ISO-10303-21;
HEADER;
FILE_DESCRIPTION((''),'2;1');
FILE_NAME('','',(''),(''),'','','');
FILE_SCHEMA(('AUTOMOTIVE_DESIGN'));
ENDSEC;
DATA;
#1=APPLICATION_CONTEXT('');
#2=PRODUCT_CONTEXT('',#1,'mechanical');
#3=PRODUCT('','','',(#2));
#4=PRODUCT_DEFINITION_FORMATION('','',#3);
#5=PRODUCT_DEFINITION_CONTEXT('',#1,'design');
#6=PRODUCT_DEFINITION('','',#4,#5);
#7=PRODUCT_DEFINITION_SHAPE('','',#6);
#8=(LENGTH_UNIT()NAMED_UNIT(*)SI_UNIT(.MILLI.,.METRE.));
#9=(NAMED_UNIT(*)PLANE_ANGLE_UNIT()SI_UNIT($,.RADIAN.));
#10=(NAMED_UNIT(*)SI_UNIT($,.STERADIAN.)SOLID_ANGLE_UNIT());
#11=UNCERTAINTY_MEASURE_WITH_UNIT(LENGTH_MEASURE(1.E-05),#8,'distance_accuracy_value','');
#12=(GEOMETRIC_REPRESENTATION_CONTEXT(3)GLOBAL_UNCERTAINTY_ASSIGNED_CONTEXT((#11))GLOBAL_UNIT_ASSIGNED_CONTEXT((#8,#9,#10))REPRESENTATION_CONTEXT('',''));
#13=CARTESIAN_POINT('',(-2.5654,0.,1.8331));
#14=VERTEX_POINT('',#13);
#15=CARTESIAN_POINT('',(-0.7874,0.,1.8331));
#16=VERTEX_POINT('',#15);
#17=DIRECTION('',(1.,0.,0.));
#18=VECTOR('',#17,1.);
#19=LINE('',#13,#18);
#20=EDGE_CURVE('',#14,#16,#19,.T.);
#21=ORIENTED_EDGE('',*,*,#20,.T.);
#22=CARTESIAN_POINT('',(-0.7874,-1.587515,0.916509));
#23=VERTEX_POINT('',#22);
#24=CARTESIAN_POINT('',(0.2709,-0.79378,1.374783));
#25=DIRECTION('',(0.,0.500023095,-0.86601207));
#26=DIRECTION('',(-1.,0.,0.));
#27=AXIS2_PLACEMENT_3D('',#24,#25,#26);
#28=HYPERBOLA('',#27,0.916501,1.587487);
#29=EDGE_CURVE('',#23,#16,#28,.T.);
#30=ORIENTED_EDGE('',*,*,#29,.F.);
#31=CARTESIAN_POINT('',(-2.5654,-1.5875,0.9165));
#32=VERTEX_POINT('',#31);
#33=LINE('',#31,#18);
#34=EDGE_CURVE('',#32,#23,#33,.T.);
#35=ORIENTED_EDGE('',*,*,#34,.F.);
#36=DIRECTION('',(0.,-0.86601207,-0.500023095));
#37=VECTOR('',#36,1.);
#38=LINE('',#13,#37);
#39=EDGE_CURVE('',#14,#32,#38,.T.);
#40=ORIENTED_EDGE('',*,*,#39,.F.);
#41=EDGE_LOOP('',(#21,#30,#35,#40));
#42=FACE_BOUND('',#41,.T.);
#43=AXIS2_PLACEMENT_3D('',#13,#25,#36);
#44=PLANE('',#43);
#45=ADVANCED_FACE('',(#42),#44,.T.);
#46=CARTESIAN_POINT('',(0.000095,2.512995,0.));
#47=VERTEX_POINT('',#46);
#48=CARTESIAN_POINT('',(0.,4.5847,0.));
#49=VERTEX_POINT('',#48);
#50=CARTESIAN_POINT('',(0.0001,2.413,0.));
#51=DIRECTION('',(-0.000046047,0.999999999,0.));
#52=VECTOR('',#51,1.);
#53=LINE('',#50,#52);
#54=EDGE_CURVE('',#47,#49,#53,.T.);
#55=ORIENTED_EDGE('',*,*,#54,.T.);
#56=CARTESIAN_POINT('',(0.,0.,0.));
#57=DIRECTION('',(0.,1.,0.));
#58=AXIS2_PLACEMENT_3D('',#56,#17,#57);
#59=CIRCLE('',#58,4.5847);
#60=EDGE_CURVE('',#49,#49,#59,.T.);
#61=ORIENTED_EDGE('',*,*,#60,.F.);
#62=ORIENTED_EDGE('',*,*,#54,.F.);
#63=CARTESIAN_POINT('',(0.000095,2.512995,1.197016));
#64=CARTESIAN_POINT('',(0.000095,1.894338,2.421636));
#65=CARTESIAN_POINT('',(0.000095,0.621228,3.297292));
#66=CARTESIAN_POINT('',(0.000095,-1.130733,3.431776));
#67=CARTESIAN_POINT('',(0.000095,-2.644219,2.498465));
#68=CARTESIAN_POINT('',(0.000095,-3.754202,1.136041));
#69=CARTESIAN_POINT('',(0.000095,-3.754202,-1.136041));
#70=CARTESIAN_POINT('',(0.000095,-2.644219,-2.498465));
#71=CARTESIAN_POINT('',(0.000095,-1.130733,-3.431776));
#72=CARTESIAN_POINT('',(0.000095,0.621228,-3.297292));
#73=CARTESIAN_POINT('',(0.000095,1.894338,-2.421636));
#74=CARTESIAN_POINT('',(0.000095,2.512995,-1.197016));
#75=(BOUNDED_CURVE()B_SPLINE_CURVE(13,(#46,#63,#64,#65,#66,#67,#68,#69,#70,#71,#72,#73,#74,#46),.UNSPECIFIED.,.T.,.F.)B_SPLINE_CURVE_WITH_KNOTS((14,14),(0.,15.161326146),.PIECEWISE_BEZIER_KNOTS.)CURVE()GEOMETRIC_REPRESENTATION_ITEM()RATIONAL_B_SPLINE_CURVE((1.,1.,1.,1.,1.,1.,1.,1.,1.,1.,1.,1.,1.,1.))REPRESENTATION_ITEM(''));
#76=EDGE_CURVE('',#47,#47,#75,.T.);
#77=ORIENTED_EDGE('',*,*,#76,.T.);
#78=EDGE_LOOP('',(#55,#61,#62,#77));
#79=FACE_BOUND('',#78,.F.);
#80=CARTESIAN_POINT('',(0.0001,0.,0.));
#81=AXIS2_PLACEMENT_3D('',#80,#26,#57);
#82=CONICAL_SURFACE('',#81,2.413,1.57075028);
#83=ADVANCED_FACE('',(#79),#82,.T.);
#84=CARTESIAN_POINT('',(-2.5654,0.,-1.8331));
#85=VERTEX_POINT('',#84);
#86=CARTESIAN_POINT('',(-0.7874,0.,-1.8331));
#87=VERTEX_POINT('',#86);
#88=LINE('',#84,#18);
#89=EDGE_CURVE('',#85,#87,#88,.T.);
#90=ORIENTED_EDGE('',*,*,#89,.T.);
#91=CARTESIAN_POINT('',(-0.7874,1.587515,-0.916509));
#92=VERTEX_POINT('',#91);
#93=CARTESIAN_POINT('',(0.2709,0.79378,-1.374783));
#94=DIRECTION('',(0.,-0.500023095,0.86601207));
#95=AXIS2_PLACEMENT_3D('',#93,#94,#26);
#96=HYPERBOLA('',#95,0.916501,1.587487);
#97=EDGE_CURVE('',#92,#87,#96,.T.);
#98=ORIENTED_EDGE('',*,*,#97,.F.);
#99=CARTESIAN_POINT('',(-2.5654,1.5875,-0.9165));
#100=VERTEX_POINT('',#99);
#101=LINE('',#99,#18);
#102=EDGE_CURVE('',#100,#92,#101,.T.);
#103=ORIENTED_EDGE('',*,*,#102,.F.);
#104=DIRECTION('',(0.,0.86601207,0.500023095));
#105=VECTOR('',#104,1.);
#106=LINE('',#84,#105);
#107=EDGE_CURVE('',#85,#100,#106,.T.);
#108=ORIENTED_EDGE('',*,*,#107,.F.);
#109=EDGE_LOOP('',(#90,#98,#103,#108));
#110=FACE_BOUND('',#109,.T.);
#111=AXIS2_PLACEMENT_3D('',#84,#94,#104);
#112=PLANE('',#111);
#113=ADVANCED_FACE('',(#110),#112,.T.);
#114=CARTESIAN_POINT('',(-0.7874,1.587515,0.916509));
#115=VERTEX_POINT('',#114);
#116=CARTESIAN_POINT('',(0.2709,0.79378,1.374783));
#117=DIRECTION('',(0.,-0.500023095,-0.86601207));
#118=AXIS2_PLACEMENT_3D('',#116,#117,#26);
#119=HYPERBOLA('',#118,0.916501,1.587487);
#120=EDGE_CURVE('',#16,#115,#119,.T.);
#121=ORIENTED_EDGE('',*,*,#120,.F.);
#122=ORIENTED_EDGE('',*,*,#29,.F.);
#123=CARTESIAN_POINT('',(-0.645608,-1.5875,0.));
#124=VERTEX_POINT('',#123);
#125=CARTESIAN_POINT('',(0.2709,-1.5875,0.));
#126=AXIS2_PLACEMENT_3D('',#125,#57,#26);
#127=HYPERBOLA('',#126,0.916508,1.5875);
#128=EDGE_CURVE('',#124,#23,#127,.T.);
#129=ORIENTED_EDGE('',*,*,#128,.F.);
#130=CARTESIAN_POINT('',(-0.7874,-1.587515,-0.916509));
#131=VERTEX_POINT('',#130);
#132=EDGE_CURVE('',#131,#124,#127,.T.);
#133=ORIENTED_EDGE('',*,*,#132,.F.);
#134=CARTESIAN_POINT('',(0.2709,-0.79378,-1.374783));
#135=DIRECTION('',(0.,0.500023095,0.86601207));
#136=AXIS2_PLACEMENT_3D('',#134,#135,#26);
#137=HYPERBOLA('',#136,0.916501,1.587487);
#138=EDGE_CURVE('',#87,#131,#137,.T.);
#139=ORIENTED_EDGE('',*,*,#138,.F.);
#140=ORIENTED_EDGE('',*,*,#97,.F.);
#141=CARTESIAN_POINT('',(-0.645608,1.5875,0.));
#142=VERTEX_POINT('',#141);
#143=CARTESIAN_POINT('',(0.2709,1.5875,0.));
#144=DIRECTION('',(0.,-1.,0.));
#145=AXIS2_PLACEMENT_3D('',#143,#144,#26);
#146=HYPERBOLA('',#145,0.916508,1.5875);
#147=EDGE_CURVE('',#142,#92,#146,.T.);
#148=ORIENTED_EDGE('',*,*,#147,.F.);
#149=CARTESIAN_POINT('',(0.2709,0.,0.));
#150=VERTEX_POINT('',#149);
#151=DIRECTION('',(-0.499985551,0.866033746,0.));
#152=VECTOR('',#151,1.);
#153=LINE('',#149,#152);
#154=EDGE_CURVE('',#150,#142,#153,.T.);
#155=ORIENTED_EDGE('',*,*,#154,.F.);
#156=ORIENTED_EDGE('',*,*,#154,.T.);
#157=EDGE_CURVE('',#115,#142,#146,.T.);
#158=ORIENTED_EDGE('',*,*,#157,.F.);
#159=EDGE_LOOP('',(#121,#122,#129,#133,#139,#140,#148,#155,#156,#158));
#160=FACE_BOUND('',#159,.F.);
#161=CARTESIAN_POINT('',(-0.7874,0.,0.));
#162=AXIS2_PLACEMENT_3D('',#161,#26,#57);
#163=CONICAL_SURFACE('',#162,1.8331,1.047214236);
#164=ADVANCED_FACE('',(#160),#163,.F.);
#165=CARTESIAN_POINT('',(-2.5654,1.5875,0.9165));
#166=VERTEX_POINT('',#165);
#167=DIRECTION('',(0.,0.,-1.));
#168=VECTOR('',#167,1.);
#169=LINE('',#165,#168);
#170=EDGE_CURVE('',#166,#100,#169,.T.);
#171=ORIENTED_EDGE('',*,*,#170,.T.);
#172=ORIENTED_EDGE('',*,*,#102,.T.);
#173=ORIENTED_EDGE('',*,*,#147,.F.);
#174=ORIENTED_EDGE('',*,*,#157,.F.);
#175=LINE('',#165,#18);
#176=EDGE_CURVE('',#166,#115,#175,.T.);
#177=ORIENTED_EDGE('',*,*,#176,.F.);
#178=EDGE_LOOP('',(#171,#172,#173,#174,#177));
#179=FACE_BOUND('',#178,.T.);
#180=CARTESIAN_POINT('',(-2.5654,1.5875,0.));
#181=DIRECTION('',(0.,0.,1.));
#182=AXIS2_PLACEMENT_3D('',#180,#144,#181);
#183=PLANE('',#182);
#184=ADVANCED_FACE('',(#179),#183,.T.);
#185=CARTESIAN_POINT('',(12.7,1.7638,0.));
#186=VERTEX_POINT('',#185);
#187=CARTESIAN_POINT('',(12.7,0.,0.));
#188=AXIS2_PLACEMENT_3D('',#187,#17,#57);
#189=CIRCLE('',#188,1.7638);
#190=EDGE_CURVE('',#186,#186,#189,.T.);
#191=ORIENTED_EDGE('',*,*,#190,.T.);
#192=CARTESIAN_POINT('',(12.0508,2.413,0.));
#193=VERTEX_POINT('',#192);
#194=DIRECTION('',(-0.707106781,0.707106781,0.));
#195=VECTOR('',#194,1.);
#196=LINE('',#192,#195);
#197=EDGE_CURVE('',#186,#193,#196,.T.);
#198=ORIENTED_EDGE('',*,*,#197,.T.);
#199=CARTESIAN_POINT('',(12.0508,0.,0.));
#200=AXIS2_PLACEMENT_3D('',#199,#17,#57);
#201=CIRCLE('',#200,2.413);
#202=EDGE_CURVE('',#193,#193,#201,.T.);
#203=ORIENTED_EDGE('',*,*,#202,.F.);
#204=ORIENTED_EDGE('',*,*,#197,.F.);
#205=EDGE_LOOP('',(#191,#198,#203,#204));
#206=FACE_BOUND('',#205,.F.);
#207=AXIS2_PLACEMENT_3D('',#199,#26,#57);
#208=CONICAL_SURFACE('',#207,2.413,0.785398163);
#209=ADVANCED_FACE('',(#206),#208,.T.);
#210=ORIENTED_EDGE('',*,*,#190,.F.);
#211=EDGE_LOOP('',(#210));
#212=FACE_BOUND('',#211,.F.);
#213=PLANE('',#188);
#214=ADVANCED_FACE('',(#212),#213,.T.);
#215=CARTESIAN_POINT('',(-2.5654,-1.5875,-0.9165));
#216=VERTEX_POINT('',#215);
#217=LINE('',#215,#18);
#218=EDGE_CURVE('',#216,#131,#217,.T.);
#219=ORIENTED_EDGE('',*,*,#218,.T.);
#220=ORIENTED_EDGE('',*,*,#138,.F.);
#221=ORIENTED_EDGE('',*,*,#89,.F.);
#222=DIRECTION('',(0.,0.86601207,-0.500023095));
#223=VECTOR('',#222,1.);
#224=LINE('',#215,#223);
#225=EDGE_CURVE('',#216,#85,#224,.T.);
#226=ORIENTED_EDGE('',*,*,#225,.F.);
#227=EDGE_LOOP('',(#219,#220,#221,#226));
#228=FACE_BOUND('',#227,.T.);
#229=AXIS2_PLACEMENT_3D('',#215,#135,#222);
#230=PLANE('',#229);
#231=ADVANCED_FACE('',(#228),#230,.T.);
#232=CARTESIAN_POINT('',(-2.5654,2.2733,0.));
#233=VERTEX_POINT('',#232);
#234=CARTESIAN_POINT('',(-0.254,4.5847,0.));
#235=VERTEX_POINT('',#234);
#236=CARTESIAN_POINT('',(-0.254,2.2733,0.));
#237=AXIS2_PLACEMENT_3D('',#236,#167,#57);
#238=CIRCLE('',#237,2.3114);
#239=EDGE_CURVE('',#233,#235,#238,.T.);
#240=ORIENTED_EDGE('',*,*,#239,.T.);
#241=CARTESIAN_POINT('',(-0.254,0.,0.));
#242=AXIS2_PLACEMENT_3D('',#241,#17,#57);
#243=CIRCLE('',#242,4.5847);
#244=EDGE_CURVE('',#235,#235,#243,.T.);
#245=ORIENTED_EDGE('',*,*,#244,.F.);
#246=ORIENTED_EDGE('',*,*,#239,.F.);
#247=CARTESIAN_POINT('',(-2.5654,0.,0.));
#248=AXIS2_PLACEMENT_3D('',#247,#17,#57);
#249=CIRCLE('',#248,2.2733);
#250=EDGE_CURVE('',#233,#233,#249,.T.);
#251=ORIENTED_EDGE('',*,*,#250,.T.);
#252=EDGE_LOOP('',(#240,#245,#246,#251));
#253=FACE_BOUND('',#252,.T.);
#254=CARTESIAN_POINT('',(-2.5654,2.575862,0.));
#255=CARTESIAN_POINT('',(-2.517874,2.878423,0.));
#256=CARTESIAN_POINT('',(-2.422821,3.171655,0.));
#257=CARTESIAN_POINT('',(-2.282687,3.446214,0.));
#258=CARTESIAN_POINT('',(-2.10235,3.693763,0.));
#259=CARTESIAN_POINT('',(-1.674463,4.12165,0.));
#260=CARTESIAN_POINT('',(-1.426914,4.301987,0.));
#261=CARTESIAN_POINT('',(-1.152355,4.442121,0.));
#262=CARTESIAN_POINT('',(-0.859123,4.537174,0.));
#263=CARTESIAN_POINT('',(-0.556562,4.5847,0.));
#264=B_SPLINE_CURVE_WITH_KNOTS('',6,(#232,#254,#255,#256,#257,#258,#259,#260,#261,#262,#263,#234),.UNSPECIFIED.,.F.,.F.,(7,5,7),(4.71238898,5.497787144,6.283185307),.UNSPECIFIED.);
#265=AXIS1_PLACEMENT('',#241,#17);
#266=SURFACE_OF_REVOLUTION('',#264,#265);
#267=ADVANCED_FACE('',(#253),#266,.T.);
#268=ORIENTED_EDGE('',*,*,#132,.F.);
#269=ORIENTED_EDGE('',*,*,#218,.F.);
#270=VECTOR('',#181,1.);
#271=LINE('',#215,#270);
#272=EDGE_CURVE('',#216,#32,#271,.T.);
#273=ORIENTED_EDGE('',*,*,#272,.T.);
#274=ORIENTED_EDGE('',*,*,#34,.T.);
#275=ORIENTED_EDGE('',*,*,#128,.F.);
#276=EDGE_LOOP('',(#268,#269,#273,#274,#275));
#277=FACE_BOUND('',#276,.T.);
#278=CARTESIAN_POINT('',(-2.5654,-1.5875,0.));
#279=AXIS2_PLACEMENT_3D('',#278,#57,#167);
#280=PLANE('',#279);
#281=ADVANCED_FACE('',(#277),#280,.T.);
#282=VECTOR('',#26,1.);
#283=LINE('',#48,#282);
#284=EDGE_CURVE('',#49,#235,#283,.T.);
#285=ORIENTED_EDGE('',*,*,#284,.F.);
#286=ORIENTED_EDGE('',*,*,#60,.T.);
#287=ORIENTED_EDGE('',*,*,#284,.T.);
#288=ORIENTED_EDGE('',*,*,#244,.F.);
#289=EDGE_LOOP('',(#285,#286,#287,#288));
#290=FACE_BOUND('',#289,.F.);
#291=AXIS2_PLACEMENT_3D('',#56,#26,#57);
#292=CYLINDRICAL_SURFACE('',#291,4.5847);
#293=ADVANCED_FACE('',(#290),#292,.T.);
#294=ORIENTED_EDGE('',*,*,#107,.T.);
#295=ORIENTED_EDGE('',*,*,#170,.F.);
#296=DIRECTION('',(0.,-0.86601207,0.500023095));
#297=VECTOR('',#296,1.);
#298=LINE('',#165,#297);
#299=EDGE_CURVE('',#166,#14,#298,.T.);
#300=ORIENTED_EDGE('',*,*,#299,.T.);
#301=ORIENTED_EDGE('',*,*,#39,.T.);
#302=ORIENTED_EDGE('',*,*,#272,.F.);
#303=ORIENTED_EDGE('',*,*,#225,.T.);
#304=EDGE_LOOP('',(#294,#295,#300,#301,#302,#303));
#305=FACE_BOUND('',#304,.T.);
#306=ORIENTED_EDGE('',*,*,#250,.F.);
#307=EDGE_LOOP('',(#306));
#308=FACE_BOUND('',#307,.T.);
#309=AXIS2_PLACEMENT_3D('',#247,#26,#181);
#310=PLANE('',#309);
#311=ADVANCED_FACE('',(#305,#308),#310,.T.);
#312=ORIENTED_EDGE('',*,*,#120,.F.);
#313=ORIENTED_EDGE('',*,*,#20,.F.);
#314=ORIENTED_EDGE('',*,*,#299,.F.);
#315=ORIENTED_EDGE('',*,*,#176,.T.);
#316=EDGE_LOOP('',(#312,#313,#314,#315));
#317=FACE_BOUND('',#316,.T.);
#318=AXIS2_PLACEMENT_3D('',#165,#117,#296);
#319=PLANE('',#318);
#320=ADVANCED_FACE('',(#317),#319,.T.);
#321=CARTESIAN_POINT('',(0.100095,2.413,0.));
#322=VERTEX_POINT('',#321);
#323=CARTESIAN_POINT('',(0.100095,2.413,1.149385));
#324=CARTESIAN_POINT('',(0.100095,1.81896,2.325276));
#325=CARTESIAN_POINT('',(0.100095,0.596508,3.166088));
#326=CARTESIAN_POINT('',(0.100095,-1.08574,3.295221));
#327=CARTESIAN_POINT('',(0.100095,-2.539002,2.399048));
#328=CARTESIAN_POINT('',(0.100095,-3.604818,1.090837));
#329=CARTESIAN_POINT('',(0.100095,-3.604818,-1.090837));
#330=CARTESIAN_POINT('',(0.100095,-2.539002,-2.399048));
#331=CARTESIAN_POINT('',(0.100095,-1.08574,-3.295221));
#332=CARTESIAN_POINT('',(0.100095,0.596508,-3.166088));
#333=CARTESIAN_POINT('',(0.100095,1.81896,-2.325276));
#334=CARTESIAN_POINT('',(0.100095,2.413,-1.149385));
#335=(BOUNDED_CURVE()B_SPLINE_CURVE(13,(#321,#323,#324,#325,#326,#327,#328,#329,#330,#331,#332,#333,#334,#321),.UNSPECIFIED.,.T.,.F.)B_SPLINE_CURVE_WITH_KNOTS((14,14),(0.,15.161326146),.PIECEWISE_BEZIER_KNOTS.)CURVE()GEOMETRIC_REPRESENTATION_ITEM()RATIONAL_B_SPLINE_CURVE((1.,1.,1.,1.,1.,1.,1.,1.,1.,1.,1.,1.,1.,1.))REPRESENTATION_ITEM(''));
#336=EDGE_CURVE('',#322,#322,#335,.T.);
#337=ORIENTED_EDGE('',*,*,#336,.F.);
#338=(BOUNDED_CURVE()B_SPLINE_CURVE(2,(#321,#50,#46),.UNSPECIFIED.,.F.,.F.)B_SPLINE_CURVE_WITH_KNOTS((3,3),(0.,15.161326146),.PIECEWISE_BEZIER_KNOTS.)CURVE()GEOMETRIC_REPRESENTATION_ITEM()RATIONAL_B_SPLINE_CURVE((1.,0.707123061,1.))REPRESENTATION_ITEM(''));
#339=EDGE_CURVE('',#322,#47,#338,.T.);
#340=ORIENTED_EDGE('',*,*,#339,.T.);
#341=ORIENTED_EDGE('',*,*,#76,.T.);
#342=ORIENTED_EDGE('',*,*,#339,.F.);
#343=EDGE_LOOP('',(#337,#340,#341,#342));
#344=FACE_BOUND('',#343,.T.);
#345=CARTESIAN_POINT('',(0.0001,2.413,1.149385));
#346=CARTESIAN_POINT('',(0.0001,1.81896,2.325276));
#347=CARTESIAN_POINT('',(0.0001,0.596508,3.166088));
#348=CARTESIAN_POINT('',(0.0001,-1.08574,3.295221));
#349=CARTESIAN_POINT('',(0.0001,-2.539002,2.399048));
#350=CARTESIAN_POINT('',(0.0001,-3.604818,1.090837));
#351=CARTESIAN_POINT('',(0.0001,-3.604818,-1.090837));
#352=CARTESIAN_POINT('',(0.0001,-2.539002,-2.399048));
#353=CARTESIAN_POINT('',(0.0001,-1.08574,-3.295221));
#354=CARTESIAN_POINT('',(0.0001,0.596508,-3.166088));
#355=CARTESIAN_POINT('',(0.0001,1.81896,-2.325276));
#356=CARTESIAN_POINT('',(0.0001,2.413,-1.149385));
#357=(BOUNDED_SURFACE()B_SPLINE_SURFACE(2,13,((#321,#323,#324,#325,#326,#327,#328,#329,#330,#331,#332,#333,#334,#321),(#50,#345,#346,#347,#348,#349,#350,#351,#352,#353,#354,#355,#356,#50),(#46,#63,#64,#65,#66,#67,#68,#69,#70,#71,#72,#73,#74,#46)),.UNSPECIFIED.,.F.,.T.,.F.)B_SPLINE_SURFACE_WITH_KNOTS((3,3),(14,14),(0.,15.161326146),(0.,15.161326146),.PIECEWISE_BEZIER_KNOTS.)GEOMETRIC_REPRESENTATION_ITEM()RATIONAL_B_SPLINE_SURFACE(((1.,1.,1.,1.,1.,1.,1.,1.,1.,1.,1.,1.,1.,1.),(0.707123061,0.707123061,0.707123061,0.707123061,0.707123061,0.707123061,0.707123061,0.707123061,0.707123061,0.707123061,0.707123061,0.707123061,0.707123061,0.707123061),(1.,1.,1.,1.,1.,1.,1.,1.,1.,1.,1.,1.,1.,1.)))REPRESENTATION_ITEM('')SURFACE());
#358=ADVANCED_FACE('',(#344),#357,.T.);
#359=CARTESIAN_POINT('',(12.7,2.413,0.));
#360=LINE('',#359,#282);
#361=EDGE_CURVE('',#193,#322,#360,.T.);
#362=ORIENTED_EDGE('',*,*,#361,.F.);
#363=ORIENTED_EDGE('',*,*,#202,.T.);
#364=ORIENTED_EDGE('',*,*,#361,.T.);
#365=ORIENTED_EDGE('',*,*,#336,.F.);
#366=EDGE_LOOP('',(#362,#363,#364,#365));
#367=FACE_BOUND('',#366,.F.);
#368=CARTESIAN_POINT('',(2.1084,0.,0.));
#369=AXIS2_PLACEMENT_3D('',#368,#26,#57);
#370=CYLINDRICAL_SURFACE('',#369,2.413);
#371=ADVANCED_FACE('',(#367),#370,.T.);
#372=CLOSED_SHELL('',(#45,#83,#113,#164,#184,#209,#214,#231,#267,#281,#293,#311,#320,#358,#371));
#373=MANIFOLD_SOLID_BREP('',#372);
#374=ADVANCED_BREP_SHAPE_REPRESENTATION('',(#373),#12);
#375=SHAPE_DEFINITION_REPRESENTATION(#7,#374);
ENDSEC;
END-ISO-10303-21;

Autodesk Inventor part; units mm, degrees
ref_plane "YZ Plane" through (0, 0, 0) normal (1, 0, 0) x (0, 1, 0)
ref_plane "XZ Plane" through (0, 0, 0) normal (0, 1, 0) x (-1, 0, 0)
sketch "Sketch1" plane through (0, 0, 0) normal (0, 0, 1) x (1, 0, 0)
  line L0 (0.2709, 0) -> (12.7, 0)
  line L1 (12.7, 0) -> (12.7, 2.413)
  line L2 (12.7, 2.413) -> (2.1084, 2.413)
  line L3 (2.1084, 2.413) -> (0.0001, 2.413)
  line L4 (0.0001, 2.413) -> (0, 2.413)
  line L5 (0, 2.413) -> (0, 4.5847)
  line L6 (0, 4.5847) -> (-2.5654, 4.5847)
  line L7 (-2.5654, 4.5847) -> (-2.5654, 1.8331)
  line L8 (-2.5654, 1.8331) -> (-0.7874, 1.8331)
  line L9 (-0.7874, 1.8331) -> (0.2709, 0)
  line L10 (-5.6185, 0) -> (15.7531, 0) projected
  line L11 (0, -0.9169) -> (0, 5.5016) projected
  line L12 (2.1084, 2.413) -> (0, 2.413) construction
  dimension "d1" = 10.5916
  dimension "d2" = 2.1083
  dimension "d3" = 2.5654
  dimension "d4" = 1.778
  dimension "d5" = 60
  dimension "d6" = 4.826
  dimension "d7" = 4.826
  dimension "d8" = 3.6662
  dimension "d9" = 9.1694
  dimension "d26" = 12.7
revolve "Body" add sketch "Sketch1" angle 360 about axis through (0.2709, 0, 0) along (1, 0, 0) contours L9 L11 L3 L2 L1 L0 | L9 L8 L7 L6 L5 L11
sketch "Sketch2" plane through (-2.5654, 0, 0) normal (-1, 0, 0) x (0, 0, 1)
  circle A0 centre (0, 0) radius 1.8331 projected
  line L0 (0, -6.4186) -> (0, 6.4186) projected
  line L1 (-6.4186, 0) -> (6.4186, 0) projected
  line L2 (1.8331, 0) -> (0.9165, -1.5875)
  line L3 (0.9165, -1.5875) -> (-0.9165, -1.5875)
  line L4 (-0.9165, -1.5875) -> (-1.8331, 0)
  line L5 (-1.8331, 0) -> (-0.9165, 1.5875)
  line L6 (-0.9165, 1.5875) -> (0.9165, 1.5875)
  line L7 (0.9165, 1.5875) -> (1.8331, 0)
extrude "Slot" add sketch "Sketch2" against normal up to next contours L7 A0 | A0 L2 | L6 L0 A0 | A0 L0 L3 | L0 L6 A0 | A0 L3 L0 | L4 A0 | A0 L5
fillet "Fillet1" radius 2.3114 1 edges at (-2.5654, -4.5847, 0)
thread "Thread" size "10-24 UNC" class "2A" standard "ANSI Unified Screw Threads" length 10.5916
chamfer "Chamfer1" distance 0.6492 distance2 0.6492 1 edges at (12.7, -2.413, 0) measured on face at (12.7, -0.2686, 0.7084)
ref_plane "Work Plane1" through (29, 0, 0) normal (0, -1, 0) x (1, 0, 0)
fillet "Fillet2" radius 0.1 1 edges at (0.0001, -2.413, 0)
equation "\"d1\" = GEL"
equation "\"d3\" = KOH"
equation "\"d4\" = INTI"
equation "\"d6\" = GD"
equation "\"d7\" = BDM"
equation "\"d8\" = 1.1547 * SW"
equation "\"d9\" = KOD"
equation "\"d26\" = NLG"
equation "\"d30\" = R"
equation "\"d17\" = RR"
equation "\"d13\" = GEL"
equation "\"d15\" = -0.5 * SPD + 0.5 * GD"
equation "\"d16\" = GUL"
equation "\"GD\" = NND"
equation "\"NLG\" = 12.7"
equation "\"GEL\" = 10.5916"
equation "\"KOD\" = 9.1694"
equation "\"KOH\" = 2.5654"
equation "\"INTI\" = 1.778"
equation "\"GAL\" = 2.1082"
equation "\"GUL\" = 0.64922"
equation "\"BDM\" = NND"
equation "\"SW\" = 3.175"
equation "\"RR\" = 2.3114"
equation "\"SPD\" = 3.52755"
equation "\"R\" = 0.1"
equation "\"TOA\" = 30deg"
equation "\"GD1\" = SPD"
equation "\"THREADDIA\" = 4.826"
equation "\"KOH1\" = 0.508"
equation "\"NND\" = 4.826"
equation "\"E0\" = 3.66725"
properties part number "ANSI B18.3 - 10 - 24 x 1/2"
